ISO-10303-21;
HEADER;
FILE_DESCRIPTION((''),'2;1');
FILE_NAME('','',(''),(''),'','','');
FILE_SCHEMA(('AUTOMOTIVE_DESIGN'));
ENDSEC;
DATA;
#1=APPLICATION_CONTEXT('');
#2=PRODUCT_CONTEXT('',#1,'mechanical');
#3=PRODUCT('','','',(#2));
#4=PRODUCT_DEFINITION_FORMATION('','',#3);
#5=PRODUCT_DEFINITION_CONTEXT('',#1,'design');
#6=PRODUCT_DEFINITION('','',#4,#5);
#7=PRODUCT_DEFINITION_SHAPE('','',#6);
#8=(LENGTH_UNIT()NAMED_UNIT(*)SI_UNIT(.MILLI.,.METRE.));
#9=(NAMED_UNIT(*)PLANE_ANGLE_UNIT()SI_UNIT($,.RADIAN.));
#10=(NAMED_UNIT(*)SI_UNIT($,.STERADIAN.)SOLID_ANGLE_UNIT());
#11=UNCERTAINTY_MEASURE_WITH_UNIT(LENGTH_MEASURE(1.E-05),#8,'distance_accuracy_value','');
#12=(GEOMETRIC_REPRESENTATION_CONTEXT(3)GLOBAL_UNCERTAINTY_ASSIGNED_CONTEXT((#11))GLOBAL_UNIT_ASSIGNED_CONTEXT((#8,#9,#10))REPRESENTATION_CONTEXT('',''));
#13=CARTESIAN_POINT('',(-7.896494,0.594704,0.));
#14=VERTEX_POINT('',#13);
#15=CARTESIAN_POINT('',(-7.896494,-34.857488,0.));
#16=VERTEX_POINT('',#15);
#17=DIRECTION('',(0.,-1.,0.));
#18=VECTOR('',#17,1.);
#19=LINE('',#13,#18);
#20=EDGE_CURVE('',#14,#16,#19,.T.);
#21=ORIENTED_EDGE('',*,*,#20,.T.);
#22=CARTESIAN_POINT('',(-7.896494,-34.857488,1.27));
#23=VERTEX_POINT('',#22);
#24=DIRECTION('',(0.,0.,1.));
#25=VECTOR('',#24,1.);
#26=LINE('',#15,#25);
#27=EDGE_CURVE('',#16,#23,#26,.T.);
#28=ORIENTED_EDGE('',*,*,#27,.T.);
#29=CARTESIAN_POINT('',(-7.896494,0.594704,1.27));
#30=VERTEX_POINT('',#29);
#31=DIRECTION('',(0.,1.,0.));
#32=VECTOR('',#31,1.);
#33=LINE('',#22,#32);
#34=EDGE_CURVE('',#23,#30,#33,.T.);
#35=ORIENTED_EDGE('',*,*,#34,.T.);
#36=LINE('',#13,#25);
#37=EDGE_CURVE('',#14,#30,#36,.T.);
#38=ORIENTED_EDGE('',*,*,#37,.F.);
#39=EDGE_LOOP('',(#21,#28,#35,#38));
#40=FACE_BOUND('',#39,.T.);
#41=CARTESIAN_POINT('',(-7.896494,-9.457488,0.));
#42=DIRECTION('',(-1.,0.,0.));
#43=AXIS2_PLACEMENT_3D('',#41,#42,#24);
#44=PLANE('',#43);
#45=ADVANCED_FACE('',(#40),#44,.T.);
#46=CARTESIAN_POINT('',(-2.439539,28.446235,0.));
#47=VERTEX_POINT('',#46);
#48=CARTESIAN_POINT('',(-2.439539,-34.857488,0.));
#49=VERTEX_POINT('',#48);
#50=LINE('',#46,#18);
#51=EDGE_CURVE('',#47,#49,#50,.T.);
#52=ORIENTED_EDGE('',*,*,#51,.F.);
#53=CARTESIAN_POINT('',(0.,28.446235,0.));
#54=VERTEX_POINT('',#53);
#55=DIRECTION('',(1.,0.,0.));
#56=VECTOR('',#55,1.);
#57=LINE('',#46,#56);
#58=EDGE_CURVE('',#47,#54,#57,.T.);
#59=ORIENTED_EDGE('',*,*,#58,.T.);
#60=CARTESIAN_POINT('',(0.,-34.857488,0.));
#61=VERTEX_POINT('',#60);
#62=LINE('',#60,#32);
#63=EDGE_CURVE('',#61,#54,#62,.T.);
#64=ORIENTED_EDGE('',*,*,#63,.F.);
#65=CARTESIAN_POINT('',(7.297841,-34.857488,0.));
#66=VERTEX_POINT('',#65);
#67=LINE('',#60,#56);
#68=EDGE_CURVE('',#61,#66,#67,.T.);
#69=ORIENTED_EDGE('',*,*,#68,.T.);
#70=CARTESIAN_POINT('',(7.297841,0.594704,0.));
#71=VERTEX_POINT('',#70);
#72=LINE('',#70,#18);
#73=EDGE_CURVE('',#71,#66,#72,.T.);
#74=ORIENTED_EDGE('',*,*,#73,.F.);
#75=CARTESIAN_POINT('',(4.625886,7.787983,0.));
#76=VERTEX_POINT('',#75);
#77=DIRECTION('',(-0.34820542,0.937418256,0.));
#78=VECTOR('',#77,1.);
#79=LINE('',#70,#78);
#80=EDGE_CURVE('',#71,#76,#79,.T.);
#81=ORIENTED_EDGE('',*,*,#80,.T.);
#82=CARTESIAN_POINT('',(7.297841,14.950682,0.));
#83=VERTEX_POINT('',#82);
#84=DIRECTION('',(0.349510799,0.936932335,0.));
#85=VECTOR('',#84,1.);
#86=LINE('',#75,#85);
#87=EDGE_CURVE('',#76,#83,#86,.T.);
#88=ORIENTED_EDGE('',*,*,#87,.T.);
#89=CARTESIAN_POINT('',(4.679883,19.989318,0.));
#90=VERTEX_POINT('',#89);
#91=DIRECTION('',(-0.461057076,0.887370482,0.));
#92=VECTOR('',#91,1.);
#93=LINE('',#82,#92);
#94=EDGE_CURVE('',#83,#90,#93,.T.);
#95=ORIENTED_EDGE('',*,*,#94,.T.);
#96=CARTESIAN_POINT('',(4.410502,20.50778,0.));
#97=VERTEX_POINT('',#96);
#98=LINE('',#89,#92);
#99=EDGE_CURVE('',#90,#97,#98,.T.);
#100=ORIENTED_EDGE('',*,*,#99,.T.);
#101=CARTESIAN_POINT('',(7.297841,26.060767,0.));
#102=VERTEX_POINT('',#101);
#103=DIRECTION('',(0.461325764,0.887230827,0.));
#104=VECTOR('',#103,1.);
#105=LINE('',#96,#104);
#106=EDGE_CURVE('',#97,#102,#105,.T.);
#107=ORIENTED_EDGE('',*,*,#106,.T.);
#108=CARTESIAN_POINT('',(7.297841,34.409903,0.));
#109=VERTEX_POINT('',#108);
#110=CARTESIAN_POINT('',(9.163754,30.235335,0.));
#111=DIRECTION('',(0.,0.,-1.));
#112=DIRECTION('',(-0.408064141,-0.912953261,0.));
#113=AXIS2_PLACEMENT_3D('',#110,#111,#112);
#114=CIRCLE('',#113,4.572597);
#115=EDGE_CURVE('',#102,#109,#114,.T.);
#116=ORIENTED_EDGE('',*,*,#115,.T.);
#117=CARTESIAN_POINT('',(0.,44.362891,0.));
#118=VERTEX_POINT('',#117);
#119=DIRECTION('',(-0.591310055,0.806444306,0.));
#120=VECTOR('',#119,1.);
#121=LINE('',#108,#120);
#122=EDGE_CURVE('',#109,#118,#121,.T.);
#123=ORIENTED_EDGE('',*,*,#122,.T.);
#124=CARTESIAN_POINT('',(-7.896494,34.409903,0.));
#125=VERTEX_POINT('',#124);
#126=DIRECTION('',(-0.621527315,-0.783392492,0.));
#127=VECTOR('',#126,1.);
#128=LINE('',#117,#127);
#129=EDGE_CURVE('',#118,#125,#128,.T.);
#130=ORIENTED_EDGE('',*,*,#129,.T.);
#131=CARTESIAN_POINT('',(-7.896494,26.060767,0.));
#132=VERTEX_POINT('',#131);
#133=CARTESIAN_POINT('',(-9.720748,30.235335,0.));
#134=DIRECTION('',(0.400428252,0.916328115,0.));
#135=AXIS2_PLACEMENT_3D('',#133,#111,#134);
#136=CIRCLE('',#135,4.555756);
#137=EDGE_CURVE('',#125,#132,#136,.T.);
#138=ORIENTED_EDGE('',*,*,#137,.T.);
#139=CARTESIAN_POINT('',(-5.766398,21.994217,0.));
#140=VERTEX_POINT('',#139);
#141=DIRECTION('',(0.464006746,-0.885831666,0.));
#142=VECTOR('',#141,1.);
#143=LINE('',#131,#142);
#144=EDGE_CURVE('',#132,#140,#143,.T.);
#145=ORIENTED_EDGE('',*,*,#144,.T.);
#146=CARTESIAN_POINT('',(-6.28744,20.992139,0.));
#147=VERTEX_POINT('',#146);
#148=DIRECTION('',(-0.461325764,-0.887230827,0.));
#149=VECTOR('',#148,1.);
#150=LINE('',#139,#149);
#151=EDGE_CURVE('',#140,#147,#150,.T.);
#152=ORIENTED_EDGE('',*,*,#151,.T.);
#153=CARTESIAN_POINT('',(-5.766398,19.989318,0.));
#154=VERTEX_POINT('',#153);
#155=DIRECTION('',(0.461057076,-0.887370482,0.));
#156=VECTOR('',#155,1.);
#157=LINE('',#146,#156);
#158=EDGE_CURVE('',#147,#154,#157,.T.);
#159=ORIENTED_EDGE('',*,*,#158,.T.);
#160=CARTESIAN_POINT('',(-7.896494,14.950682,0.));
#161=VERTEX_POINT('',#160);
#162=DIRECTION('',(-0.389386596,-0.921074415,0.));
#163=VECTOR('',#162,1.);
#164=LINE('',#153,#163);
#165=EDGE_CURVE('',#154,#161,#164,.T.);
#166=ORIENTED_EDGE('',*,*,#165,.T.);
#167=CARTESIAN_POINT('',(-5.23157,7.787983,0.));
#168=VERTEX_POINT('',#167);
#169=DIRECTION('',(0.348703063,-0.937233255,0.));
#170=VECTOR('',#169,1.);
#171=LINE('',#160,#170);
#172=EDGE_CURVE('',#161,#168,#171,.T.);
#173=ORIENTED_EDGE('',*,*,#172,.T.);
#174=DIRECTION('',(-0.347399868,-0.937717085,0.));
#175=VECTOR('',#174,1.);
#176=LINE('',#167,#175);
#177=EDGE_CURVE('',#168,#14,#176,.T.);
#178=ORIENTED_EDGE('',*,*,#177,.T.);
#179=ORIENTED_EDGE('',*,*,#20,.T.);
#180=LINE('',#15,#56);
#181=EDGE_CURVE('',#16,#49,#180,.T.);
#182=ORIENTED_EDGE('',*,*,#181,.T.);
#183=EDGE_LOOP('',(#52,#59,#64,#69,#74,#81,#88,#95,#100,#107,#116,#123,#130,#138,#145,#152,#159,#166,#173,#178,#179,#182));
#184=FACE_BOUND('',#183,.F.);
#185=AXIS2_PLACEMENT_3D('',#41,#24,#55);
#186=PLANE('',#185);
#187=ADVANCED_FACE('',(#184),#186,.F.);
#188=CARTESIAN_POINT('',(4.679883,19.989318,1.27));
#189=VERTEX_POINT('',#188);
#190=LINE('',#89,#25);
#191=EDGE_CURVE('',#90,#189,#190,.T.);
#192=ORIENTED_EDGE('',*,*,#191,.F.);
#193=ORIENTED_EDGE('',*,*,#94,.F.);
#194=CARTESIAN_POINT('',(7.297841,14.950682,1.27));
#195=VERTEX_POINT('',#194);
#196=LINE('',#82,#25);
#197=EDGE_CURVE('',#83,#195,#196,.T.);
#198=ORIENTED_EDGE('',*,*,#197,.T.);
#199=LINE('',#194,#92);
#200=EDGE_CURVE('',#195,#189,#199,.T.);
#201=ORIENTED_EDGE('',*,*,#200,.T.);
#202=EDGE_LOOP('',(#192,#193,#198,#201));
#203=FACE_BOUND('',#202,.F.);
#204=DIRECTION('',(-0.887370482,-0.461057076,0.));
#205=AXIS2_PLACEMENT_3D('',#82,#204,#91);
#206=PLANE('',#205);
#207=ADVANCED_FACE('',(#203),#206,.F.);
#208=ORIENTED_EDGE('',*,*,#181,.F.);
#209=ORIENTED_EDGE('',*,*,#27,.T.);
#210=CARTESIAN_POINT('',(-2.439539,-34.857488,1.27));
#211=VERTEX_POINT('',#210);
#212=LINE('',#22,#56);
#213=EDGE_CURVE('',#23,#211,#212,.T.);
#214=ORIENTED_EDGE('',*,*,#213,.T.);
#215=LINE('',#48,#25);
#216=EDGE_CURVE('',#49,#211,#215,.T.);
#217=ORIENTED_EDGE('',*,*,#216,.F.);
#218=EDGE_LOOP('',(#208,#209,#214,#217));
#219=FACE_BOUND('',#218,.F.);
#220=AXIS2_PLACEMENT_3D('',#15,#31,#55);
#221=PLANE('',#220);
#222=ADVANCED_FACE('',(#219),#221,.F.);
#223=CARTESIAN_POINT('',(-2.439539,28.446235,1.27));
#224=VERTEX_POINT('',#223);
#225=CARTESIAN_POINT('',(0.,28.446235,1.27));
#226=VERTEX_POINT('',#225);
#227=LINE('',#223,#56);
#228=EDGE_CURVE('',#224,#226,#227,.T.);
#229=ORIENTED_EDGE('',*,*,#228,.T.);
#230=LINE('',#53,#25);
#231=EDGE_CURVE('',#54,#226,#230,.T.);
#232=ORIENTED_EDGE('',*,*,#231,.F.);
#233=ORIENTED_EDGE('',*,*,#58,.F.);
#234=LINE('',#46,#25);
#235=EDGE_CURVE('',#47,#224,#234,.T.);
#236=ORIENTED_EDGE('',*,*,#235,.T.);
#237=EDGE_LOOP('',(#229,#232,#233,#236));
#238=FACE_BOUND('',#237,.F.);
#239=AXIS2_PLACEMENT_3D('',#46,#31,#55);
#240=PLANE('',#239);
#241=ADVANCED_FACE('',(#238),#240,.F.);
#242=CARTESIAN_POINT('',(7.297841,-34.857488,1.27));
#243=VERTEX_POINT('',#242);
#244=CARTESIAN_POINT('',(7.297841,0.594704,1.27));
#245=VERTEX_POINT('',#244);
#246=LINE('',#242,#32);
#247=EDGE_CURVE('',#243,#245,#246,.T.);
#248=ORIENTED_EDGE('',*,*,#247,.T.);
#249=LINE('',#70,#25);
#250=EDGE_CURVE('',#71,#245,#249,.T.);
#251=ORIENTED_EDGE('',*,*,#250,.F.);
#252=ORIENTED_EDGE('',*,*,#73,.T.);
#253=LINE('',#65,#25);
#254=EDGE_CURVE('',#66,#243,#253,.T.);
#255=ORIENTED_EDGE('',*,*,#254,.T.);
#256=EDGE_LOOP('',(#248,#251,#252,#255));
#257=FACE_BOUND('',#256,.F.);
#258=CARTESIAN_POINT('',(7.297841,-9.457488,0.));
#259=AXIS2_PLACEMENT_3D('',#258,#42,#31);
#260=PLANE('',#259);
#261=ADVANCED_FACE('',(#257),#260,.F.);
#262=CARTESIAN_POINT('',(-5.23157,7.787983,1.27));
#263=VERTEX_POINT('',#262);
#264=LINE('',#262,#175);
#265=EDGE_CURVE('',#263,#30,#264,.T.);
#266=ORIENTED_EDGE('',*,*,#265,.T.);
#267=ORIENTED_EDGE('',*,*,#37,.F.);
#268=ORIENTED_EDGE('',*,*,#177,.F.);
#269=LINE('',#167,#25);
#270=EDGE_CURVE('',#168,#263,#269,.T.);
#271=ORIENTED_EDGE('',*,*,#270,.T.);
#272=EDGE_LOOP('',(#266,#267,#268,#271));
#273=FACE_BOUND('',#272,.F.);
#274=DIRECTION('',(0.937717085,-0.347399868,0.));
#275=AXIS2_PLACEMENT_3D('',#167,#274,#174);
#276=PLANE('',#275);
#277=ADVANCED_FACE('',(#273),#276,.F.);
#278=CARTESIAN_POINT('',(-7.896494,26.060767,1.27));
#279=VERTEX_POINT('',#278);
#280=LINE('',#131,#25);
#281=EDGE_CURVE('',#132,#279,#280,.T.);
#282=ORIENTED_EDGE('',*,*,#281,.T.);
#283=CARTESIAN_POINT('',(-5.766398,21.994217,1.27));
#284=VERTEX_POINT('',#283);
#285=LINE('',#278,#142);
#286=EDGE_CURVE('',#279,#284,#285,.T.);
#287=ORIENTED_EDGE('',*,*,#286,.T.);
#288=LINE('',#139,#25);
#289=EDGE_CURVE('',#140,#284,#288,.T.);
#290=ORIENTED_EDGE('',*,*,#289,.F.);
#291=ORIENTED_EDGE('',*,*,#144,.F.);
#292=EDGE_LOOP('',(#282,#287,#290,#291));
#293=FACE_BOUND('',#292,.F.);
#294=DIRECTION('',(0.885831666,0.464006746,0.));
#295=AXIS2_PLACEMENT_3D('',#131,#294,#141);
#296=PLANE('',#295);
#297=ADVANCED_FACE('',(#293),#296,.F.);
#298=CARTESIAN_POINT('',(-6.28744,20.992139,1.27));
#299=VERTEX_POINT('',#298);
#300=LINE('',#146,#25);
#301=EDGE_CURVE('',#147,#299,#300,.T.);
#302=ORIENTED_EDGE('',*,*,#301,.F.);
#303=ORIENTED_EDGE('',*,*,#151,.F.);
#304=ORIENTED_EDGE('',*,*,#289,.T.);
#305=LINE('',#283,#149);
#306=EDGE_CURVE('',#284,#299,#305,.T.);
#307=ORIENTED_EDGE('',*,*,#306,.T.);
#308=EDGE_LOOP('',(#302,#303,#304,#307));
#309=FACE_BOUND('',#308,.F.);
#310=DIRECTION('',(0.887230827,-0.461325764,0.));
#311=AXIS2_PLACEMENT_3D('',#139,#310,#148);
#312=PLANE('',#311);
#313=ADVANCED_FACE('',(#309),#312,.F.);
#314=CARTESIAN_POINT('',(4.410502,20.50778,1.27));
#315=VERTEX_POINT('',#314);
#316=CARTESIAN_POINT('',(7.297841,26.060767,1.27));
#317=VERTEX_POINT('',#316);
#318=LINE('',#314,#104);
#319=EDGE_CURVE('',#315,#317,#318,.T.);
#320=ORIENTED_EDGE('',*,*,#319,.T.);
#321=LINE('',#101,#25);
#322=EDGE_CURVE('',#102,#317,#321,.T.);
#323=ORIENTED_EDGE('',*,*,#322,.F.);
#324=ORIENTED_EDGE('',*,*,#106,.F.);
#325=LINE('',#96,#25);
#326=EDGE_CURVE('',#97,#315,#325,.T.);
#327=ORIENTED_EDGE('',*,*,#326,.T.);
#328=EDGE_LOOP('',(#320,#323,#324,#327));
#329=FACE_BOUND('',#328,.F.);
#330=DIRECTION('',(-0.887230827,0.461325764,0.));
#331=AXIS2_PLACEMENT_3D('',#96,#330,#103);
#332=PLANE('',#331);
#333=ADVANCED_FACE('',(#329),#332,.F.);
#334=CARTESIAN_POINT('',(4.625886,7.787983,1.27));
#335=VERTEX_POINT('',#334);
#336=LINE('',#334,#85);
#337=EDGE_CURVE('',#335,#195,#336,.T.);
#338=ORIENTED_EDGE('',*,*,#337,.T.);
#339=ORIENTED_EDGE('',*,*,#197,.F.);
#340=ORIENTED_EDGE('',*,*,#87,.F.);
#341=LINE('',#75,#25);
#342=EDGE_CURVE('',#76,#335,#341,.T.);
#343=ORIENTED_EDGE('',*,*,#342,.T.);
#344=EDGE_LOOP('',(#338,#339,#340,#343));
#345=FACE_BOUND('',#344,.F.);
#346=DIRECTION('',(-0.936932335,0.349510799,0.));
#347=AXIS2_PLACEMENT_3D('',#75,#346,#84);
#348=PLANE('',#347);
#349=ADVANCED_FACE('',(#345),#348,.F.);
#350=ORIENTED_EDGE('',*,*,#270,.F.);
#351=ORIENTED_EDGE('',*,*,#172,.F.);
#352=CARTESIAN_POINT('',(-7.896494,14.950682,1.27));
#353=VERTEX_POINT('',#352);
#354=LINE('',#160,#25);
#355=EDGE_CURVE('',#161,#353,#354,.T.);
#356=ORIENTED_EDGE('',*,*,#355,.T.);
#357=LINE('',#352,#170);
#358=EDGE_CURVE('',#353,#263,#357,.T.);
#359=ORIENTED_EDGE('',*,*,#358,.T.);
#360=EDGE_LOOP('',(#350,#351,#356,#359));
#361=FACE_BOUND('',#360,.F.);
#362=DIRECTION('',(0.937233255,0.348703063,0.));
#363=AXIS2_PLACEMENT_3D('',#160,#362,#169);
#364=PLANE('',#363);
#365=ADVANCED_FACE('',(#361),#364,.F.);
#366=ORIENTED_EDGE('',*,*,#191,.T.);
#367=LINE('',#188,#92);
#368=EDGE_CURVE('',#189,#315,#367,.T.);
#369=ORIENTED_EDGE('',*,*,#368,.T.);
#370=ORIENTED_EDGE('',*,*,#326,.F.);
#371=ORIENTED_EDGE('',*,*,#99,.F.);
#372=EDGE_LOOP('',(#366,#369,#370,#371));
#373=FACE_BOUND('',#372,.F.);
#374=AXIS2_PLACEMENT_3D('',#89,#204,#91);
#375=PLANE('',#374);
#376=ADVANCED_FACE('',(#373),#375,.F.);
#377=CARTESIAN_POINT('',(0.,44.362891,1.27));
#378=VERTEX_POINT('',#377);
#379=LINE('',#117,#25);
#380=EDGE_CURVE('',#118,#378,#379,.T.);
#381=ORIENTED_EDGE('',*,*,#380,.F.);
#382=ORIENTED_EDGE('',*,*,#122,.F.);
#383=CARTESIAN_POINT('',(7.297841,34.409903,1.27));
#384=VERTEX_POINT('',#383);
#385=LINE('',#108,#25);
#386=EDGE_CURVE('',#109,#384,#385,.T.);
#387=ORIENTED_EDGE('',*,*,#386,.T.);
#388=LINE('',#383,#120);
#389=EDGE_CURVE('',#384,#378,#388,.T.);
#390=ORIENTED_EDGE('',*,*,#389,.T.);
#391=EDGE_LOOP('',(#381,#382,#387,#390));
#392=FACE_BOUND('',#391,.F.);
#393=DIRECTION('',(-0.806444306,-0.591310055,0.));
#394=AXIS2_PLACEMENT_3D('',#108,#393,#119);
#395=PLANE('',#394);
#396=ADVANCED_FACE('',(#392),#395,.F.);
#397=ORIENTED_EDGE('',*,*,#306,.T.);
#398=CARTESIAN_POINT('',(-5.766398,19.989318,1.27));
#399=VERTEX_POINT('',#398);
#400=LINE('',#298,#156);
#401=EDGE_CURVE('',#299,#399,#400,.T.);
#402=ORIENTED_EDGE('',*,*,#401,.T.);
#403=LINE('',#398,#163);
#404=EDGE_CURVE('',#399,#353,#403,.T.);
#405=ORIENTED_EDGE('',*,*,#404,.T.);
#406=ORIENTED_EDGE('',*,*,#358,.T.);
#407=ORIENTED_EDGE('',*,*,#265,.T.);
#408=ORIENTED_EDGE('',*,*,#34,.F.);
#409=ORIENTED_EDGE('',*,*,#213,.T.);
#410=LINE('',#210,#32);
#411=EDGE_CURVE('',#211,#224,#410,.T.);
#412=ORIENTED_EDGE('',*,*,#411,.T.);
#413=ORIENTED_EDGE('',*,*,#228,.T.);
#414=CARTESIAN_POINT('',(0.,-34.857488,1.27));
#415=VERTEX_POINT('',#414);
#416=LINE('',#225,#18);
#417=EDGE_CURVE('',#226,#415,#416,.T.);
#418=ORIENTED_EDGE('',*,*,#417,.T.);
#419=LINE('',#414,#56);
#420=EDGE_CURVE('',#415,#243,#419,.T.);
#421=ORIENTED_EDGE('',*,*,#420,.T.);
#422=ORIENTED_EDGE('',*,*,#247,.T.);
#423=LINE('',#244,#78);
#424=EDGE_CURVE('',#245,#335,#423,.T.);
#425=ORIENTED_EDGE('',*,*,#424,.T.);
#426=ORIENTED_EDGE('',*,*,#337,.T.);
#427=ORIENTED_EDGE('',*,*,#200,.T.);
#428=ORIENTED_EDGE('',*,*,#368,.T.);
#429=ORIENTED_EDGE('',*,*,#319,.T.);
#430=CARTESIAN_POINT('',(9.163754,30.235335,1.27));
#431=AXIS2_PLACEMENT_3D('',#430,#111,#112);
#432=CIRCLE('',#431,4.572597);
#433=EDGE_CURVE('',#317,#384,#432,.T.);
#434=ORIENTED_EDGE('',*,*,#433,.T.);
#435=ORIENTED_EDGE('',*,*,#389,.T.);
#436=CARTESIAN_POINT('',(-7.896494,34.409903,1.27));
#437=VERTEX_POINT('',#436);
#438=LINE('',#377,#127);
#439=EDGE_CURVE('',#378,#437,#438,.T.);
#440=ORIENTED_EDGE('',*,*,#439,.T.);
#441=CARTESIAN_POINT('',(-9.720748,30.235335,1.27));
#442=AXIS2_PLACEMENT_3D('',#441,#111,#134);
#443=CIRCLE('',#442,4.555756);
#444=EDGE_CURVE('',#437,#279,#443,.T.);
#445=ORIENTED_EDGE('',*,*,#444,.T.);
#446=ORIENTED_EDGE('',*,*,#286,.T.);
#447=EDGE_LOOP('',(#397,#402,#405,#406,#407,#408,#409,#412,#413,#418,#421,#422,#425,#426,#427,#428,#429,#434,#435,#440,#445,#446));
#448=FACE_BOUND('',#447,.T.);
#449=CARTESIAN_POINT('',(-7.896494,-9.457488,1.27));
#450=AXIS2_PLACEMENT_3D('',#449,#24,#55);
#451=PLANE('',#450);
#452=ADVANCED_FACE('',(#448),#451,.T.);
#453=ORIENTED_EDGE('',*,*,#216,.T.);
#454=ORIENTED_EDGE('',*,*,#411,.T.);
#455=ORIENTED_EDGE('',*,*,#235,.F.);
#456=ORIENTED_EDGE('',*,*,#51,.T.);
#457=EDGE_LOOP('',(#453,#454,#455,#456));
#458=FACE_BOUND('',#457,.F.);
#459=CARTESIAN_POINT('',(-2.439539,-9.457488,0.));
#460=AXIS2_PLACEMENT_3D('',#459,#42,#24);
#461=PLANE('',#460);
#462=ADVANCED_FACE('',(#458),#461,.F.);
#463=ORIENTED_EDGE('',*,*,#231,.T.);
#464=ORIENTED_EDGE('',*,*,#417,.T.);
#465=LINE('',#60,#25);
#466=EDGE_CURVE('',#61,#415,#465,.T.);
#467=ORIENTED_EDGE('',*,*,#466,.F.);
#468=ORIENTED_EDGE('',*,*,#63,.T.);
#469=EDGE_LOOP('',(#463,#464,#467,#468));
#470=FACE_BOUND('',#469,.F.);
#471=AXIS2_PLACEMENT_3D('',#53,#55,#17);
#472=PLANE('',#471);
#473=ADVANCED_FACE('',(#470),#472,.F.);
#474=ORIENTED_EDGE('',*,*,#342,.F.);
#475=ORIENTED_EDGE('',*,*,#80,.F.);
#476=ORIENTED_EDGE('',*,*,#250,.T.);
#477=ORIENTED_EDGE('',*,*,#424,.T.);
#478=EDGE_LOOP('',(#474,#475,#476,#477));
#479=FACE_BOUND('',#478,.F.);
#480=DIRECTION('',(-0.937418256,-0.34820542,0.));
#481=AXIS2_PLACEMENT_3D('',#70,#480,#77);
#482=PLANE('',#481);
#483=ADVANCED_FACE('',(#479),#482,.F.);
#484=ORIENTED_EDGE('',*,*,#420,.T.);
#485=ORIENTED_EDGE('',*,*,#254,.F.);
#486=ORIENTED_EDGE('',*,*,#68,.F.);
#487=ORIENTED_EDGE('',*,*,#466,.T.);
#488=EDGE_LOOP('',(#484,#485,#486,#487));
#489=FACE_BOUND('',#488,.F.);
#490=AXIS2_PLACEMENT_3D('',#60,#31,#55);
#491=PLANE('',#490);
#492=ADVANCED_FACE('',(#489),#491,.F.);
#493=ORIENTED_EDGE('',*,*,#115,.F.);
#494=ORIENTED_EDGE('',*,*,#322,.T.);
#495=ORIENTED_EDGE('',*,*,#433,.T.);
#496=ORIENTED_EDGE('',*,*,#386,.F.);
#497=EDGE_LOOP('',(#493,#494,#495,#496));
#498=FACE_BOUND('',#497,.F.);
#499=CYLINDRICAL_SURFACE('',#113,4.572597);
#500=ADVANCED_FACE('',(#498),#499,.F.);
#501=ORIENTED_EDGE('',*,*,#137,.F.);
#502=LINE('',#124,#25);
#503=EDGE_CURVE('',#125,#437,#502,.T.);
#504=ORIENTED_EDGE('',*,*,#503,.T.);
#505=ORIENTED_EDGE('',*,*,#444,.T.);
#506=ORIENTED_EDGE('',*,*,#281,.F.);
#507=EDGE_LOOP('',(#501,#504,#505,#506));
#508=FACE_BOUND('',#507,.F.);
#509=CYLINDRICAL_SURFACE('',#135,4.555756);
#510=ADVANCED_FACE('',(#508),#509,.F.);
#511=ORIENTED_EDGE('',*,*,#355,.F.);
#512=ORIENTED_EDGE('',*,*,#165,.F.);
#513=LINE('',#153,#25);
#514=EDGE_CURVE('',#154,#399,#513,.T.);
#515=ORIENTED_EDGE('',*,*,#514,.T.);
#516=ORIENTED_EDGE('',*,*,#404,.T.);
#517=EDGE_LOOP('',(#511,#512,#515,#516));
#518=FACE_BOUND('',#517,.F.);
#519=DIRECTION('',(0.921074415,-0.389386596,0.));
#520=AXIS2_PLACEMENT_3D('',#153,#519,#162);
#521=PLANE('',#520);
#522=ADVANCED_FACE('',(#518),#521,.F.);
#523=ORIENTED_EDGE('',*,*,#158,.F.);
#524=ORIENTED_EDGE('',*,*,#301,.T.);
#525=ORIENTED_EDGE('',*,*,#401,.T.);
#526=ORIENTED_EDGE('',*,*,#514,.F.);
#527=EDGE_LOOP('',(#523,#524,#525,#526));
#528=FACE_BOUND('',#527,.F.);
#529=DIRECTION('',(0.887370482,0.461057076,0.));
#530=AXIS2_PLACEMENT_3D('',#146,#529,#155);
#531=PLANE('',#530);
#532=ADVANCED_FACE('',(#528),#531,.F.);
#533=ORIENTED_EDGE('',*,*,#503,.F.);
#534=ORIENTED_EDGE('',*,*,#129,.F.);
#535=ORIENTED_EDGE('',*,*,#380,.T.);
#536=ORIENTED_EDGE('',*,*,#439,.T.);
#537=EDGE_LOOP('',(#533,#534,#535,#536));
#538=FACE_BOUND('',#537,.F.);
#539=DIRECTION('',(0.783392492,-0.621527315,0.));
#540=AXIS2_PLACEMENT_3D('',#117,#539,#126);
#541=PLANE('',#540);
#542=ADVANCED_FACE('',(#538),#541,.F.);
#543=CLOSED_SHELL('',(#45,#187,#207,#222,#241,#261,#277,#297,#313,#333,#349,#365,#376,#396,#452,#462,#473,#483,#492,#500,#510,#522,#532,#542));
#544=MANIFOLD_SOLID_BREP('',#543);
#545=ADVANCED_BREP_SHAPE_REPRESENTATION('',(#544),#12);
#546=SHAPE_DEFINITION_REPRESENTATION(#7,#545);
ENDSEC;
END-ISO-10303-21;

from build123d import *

# Parameters (mm, degrees)
F1_DEPTH = 1.27
F2_DEPTH = 25.4


with BuildPart() as f1:
    # F0 (on Top) → F1 (new body)
    with BuildSketch(Plane.XY):
        with BuildLine():
            Line((-7.8964941204, 0.594703597), (-7.8964941204, -9.457487613))
            Line((-7.8964941204, -9.457487613), (-2.4395394139, -9.457487613))
            Line((-2.4395394139, -9.457487613), (-2.4395394139, 28.4462347627))
            Line((-2.4395394139, 28.4462347627), (0, 28.4462347627))
            Line((0, 28.4462347627), (0, -9.457487613))
            Line((0, -9.457487613), (7.2978408041, -9.457487613))
            Line((7.2978408041, -9.457487613), (7.2978408041, 0.594703597))
            Line((7.2978408041, 0.594703597), (4.625886213, 7.7879833989))
            Line((4.625886213, 7.7879833989), (7.2978408041, 14.9506824091))
            Line((7.2978408041, 14.9506824091), (4.6798829606, 19.9893178358))
            Line((4.6798829606, 19.9893178358), (4.410501927, 20.5077802788))
            Line((4.410501927, 20.5077802788), (5.1833918382, 21.9942174312))
            Line((5.1833918382, 21.9942174312), (7.2978408041, 26.0607674718))
            ThreePointArc((7.2978408041, 26.0607674718), (4.591156401, 30.2353352308), (7.2978408041, 34.4099029899))
            Line((7.2978408041, 34.4099029899), (-7.8964941204, 34.4099029899))
            ThreePointArc((-7.8964941204, 34.4099029899), (-5.1649912395, 30.2353352308), (-7.8964941204, 26.0607674718))
            Line((-7.8964941204, 26.0607674718), (-5.7663979357, 21.9942174312))
            Line((-5.7663979357, 21.9942174312), (-6.2874402602, 20.992138535))
            Line((-6.2874402602, 20.992138535), (-5.7663979357, 19.9893178358))
            Line((-5.7663979357, 19.9893178358), (-7.8964941204, 14.9506824091))
            Line((-7.8964941204, 14.9506824091), (-5.2315704525, 7.7879833989))
            Line((-5.2315704525, 7.7879833989), (-7.8964941204, 0.594703597))
        make_face()
        Polygon((0, 44.3628914654), (-7.8964941204, 34.4099029899), (7.2978408041, 34.4099029899), align=None)
    extrude(amount=F1_DEPTH)

    # F2 (add): faces of the model
    f2_faces = [f1.faces().sort_by_distance(p)[0] for p in [
        (-5.1680167671, -9.457487613, 0.635),
        (3.648920402, -9.457487613, 0.635),
    ]]
    extrude(f2_faces, amount=F2_DEPTH)


solid = f1.part
